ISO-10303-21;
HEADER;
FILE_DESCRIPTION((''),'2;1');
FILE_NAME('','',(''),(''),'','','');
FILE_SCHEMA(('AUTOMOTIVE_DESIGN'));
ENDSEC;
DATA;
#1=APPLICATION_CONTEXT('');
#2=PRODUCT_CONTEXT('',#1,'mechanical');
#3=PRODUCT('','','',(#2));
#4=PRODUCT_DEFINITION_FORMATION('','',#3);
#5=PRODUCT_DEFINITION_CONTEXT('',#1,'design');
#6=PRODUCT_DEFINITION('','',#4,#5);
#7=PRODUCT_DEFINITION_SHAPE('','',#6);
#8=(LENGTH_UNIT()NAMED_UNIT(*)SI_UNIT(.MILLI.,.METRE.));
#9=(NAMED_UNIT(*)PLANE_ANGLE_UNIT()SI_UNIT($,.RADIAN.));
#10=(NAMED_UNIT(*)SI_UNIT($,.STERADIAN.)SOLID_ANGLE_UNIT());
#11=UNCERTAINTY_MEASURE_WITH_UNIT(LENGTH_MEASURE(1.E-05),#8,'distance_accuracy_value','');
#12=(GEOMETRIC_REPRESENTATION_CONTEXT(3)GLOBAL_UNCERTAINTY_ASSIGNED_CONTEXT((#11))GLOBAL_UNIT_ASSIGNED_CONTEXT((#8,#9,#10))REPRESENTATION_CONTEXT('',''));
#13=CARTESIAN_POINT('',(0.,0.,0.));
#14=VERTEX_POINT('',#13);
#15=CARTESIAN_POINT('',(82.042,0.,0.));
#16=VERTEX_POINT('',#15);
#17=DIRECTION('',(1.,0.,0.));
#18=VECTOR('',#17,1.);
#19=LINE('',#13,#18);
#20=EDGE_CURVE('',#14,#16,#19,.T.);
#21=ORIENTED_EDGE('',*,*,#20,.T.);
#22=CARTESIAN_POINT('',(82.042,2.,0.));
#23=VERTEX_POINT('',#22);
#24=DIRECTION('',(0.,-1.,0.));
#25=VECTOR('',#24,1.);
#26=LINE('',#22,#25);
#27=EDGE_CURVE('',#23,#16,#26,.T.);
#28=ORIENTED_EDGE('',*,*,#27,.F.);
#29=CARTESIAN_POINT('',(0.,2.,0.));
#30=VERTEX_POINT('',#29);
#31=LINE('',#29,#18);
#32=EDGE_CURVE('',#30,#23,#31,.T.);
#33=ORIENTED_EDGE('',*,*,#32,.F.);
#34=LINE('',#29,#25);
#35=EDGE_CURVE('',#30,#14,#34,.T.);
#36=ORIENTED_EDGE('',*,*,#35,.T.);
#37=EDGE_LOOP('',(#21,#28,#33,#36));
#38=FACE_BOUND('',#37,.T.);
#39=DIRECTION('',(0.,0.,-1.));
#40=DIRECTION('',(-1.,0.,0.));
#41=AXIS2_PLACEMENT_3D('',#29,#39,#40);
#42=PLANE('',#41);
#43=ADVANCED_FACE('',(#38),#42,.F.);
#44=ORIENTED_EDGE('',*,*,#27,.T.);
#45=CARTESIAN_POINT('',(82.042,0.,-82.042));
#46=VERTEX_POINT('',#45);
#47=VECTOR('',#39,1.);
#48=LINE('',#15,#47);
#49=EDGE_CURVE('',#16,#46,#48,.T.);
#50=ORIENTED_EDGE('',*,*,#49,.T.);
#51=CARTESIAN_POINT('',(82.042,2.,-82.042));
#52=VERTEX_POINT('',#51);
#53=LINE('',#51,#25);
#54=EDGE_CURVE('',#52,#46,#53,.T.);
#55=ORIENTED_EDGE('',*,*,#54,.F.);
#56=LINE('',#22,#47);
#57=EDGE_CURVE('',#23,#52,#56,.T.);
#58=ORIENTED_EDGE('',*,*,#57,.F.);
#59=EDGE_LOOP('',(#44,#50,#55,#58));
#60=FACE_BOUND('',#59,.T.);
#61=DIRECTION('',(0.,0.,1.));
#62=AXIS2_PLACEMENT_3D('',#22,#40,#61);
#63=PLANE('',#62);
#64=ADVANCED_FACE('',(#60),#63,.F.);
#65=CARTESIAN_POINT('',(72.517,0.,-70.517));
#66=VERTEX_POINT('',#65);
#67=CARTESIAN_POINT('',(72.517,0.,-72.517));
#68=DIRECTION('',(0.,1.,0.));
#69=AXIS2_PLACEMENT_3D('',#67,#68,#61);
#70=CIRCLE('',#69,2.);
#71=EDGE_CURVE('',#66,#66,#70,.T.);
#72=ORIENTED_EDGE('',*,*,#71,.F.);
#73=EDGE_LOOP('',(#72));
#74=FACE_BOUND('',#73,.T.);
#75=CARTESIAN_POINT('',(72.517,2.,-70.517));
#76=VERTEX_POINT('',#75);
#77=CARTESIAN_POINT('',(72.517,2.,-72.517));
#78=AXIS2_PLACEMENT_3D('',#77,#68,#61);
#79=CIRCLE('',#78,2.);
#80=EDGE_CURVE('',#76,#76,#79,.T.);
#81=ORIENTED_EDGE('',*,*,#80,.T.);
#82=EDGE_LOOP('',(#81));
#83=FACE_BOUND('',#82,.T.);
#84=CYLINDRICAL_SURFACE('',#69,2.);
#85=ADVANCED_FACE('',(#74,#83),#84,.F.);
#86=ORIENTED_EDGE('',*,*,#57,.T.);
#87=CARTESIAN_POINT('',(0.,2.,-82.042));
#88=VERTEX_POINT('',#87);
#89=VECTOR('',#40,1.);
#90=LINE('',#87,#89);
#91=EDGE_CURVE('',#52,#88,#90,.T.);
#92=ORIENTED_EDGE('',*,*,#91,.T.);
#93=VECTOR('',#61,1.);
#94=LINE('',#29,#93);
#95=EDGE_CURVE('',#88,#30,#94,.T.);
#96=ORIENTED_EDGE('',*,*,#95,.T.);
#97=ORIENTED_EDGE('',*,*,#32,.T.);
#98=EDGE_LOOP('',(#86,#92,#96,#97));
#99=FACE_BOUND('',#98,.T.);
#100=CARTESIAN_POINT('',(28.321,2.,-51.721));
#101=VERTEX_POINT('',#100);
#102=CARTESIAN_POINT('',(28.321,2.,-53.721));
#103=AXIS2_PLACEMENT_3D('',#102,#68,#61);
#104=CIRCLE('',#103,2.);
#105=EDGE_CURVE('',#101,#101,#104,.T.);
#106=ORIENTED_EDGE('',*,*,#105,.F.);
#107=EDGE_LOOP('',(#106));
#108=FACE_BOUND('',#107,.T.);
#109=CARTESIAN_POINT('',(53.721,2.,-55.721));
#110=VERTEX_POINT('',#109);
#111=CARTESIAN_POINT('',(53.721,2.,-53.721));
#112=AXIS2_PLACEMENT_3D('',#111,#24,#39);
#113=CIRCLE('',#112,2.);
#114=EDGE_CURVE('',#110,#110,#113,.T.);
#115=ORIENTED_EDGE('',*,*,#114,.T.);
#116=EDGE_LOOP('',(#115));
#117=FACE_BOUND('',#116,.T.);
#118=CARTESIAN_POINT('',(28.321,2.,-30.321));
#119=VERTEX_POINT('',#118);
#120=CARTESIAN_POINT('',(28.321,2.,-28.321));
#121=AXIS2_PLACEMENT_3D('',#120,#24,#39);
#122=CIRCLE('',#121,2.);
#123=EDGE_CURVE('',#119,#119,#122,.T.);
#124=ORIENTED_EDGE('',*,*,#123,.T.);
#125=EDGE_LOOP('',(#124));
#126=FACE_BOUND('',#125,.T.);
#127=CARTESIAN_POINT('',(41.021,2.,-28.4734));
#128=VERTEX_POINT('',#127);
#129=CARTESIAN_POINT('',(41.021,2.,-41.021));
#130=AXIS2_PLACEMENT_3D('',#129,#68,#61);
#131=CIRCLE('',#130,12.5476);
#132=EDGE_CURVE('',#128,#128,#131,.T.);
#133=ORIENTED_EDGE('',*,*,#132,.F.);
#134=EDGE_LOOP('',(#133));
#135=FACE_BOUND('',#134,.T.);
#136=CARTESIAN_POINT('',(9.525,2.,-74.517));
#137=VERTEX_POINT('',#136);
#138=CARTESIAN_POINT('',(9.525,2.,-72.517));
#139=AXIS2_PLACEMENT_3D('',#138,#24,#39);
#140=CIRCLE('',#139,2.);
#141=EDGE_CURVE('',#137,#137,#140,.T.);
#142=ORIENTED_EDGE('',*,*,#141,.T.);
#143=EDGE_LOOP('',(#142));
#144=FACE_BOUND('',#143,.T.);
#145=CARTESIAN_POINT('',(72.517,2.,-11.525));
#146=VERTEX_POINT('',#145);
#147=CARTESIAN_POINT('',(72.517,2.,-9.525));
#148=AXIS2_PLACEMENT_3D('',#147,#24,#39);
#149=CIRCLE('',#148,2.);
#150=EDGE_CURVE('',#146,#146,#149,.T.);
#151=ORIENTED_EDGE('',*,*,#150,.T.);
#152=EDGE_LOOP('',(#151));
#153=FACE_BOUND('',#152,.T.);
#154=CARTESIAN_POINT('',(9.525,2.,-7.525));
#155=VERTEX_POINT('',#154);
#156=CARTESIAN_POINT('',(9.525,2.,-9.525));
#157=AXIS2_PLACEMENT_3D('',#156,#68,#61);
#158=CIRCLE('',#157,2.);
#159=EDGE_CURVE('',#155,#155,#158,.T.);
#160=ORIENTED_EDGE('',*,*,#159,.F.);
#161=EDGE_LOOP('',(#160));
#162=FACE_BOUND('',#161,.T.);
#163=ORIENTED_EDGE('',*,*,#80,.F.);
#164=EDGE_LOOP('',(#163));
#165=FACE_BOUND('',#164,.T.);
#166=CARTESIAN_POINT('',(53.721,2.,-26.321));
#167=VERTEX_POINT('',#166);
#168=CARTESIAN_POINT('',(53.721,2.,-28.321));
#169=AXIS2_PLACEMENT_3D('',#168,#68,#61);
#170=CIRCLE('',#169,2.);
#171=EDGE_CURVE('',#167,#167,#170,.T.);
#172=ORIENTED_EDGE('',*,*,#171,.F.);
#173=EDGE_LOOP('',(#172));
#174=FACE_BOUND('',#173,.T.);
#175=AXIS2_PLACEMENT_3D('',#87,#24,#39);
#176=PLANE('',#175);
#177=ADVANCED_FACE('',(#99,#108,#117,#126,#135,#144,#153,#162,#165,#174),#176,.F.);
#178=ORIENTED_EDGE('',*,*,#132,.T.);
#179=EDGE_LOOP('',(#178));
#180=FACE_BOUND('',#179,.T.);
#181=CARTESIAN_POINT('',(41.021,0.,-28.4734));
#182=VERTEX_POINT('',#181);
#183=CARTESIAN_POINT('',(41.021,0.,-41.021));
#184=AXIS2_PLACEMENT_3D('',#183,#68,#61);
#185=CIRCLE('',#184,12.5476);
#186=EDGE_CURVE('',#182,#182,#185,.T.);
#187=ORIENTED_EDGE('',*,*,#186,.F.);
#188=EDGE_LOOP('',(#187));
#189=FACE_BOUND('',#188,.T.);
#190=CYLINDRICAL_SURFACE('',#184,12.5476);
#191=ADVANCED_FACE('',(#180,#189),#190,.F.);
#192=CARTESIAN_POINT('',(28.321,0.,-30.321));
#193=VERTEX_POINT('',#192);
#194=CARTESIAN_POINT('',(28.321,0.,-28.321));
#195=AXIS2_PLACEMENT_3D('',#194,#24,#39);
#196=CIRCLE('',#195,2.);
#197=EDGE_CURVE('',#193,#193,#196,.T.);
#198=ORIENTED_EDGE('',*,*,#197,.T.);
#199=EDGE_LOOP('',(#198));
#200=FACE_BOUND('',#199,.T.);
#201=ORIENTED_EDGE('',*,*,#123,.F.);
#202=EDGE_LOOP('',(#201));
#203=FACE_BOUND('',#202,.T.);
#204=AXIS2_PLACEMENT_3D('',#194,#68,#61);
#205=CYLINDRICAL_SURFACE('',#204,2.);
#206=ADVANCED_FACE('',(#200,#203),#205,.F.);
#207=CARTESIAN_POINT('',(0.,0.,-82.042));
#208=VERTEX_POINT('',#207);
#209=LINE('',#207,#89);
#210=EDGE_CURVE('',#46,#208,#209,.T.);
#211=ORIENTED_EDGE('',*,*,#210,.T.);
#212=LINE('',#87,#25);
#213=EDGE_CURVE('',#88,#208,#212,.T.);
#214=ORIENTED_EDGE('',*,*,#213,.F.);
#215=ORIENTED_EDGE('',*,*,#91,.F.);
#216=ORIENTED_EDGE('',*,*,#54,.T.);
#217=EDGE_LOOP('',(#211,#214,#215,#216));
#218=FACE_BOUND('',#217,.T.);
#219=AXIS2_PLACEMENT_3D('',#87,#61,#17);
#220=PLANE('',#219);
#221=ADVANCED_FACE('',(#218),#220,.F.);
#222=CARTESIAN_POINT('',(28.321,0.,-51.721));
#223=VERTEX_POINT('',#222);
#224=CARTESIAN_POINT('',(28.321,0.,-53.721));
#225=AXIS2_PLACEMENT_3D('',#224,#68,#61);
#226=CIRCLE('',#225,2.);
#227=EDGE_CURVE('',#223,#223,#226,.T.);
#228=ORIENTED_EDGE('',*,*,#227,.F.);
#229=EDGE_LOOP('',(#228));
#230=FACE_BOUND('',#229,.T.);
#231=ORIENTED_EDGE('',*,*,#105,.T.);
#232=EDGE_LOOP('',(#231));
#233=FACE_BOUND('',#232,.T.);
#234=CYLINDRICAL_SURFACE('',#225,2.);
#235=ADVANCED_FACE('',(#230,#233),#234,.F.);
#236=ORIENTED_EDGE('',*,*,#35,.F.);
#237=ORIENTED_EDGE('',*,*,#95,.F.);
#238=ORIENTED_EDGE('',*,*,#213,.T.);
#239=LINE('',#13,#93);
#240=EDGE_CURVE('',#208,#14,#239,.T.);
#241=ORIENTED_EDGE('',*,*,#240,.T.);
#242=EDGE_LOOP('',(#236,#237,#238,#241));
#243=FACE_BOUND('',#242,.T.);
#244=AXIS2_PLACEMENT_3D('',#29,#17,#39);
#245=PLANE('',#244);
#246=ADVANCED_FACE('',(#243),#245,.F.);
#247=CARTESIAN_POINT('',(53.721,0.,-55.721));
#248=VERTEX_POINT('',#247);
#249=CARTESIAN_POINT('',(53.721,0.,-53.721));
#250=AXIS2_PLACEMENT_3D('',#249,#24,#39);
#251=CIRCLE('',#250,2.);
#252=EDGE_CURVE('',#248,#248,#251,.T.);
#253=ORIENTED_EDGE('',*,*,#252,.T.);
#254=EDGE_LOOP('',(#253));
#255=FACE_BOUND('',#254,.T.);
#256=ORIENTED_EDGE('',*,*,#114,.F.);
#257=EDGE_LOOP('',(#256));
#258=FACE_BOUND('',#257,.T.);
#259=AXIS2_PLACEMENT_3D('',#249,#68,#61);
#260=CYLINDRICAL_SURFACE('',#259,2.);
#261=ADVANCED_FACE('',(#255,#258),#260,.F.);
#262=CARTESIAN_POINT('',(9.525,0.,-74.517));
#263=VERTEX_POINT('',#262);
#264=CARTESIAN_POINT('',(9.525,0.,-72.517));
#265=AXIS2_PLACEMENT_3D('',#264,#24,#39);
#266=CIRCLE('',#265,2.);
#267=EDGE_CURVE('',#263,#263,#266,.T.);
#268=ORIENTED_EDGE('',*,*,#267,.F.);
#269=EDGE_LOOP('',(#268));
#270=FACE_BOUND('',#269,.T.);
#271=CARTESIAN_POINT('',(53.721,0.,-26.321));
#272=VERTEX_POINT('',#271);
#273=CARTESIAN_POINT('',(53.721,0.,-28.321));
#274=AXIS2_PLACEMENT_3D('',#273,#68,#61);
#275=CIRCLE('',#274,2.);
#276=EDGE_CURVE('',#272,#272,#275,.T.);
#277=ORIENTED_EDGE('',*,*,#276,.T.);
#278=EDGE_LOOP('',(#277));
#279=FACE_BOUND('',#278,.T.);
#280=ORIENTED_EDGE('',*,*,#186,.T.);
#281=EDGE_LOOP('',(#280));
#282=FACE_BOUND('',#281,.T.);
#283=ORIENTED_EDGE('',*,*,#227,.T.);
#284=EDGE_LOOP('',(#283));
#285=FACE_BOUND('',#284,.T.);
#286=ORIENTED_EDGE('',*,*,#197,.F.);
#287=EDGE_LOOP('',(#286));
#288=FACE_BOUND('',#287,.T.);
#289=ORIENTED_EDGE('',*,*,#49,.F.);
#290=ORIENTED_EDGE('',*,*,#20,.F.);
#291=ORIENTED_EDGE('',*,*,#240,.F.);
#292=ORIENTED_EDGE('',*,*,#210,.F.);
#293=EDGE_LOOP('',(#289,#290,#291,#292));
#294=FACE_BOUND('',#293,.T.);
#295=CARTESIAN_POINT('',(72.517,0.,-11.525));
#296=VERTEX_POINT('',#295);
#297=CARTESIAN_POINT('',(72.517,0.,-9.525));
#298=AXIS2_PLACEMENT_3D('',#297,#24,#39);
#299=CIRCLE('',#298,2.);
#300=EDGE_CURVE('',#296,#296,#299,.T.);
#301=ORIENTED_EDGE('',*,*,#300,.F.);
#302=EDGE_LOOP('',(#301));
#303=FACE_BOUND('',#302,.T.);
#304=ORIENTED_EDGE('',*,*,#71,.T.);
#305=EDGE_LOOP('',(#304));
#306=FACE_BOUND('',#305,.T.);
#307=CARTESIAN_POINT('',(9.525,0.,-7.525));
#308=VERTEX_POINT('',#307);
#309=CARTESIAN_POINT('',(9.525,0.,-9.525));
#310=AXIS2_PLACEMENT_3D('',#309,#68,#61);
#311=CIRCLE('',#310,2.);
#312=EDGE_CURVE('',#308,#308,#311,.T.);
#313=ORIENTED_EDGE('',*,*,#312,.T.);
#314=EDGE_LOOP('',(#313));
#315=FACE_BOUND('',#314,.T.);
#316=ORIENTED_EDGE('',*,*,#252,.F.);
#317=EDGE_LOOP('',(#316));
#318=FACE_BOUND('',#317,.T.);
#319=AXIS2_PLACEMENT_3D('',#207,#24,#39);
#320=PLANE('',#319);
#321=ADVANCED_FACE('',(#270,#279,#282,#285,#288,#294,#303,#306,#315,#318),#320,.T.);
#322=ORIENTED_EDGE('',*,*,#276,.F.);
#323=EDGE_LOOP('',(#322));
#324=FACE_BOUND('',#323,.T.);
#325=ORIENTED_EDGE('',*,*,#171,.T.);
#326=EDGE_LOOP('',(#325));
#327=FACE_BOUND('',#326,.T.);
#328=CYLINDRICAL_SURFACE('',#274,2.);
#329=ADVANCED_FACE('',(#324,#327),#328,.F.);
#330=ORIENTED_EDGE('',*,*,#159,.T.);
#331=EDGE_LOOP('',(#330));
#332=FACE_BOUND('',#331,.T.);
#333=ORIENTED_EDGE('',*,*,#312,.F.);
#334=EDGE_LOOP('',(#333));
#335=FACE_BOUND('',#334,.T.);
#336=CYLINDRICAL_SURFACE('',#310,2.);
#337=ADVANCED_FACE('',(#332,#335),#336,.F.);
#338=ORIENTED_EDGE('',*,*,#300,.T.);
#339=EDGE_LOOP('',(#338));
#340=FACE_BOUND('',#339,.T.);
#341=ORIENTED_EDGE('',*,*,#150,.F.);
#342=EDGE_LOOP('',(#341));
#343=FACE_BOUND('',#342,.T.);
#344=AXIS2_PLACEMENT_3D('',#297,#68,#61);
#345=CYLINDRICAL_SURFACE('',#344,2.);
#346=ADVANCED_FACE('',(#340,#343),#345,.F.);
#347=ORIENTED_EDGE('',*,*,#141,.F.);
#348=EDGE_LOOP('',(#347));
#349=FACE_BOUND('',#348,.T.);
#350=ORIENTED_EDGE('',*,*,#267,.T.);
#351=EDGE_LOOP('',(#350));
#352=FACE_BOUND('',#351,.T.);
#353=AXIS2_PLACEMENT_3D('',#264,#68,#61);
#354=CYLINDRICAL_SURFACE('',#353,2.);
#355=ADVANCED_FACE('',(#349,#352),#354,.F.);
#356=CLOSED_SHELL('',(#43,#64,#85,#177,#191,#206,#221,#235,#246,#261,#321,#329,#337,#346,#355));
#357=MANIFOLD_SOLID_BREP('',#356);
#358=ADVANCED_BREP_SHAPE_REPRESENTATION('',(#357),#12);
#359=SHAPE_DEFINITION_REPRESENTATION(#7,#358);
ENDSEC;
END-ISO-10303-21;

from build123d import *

# Parameters (mm, degrees)
SKETCH1_W           = 82.042
SKETCH1_H           = 82.042
BOSS_EXTRUDE1_DEPTH = 2
SKETCH2_R           = 2
CUT_EXTRUDE1_DEPTH  = 3
SKETCH3_R           = 12.5476
CUT_EXTRUDE2_DEPTH  = 3


with BuildPart() as part:
    # Sketch1 → Boss-Extrude1 (new body)
    with BuildSketch(Plane(origin=(0, 0, 0), x_dir=(1, 0, 0), z_dir=(0, 1, 0))):
        with Locations((41.021, 41.021)):
            Rectangle(SKETCH1_W, SKETCH1_H)
    extrude(amount=BOSS_EXTRUDE1_DEPTH)

    # Sketch2 → Cut-Extrude1 (cut, through all)
    with BuildSketch(Plane(origin=(0, 2, 0), x_dir=(-1, 0, 0), z_dir=(0, 1, 0))):
        with Locations((-28.321, -53.721)):
            Circle(SKETCH2_R)
        with Locations((-53.721, -53.721)):
            Circle(SKETCH2_R)
        with Locations((-53.721, -28.321)):
            Circle(SKETCH2_R)
        with Locations((-28.321, -28.321)):
            Circle(SKETCH2_R)
        with Locations((-9.525, -9.525)):
            Circle(SKETCH2_R)
        with Locations((-9.525, -72.517)):
            Circle(SKETCH2_R)
        with Locations((-72.517, -9.525)):
            Circle(SKETCH2_R)
        with Locations((-72.517, -72.517)):
            Circle(SKETCH2_R)
    extrude(amount=-CUT_EXTRUDE1_DEPTH, mode=Mode.SUBTRACT)

    # Sketch3 → Cut-Extrude2 (cut, through all)
    with BuildSketch(Plane(origin=(0, 2, 0), x_dir=(1, 0, 0), z_dir=(0, 1, 0))):
        with Locations((41.021, 41.021)):
            Circle(SKETCH3_R)
    extrude(amount=-CUT_EXTRUDE2_DEPTH, mode=Mode.SUBTRACT)


solid = part.part
